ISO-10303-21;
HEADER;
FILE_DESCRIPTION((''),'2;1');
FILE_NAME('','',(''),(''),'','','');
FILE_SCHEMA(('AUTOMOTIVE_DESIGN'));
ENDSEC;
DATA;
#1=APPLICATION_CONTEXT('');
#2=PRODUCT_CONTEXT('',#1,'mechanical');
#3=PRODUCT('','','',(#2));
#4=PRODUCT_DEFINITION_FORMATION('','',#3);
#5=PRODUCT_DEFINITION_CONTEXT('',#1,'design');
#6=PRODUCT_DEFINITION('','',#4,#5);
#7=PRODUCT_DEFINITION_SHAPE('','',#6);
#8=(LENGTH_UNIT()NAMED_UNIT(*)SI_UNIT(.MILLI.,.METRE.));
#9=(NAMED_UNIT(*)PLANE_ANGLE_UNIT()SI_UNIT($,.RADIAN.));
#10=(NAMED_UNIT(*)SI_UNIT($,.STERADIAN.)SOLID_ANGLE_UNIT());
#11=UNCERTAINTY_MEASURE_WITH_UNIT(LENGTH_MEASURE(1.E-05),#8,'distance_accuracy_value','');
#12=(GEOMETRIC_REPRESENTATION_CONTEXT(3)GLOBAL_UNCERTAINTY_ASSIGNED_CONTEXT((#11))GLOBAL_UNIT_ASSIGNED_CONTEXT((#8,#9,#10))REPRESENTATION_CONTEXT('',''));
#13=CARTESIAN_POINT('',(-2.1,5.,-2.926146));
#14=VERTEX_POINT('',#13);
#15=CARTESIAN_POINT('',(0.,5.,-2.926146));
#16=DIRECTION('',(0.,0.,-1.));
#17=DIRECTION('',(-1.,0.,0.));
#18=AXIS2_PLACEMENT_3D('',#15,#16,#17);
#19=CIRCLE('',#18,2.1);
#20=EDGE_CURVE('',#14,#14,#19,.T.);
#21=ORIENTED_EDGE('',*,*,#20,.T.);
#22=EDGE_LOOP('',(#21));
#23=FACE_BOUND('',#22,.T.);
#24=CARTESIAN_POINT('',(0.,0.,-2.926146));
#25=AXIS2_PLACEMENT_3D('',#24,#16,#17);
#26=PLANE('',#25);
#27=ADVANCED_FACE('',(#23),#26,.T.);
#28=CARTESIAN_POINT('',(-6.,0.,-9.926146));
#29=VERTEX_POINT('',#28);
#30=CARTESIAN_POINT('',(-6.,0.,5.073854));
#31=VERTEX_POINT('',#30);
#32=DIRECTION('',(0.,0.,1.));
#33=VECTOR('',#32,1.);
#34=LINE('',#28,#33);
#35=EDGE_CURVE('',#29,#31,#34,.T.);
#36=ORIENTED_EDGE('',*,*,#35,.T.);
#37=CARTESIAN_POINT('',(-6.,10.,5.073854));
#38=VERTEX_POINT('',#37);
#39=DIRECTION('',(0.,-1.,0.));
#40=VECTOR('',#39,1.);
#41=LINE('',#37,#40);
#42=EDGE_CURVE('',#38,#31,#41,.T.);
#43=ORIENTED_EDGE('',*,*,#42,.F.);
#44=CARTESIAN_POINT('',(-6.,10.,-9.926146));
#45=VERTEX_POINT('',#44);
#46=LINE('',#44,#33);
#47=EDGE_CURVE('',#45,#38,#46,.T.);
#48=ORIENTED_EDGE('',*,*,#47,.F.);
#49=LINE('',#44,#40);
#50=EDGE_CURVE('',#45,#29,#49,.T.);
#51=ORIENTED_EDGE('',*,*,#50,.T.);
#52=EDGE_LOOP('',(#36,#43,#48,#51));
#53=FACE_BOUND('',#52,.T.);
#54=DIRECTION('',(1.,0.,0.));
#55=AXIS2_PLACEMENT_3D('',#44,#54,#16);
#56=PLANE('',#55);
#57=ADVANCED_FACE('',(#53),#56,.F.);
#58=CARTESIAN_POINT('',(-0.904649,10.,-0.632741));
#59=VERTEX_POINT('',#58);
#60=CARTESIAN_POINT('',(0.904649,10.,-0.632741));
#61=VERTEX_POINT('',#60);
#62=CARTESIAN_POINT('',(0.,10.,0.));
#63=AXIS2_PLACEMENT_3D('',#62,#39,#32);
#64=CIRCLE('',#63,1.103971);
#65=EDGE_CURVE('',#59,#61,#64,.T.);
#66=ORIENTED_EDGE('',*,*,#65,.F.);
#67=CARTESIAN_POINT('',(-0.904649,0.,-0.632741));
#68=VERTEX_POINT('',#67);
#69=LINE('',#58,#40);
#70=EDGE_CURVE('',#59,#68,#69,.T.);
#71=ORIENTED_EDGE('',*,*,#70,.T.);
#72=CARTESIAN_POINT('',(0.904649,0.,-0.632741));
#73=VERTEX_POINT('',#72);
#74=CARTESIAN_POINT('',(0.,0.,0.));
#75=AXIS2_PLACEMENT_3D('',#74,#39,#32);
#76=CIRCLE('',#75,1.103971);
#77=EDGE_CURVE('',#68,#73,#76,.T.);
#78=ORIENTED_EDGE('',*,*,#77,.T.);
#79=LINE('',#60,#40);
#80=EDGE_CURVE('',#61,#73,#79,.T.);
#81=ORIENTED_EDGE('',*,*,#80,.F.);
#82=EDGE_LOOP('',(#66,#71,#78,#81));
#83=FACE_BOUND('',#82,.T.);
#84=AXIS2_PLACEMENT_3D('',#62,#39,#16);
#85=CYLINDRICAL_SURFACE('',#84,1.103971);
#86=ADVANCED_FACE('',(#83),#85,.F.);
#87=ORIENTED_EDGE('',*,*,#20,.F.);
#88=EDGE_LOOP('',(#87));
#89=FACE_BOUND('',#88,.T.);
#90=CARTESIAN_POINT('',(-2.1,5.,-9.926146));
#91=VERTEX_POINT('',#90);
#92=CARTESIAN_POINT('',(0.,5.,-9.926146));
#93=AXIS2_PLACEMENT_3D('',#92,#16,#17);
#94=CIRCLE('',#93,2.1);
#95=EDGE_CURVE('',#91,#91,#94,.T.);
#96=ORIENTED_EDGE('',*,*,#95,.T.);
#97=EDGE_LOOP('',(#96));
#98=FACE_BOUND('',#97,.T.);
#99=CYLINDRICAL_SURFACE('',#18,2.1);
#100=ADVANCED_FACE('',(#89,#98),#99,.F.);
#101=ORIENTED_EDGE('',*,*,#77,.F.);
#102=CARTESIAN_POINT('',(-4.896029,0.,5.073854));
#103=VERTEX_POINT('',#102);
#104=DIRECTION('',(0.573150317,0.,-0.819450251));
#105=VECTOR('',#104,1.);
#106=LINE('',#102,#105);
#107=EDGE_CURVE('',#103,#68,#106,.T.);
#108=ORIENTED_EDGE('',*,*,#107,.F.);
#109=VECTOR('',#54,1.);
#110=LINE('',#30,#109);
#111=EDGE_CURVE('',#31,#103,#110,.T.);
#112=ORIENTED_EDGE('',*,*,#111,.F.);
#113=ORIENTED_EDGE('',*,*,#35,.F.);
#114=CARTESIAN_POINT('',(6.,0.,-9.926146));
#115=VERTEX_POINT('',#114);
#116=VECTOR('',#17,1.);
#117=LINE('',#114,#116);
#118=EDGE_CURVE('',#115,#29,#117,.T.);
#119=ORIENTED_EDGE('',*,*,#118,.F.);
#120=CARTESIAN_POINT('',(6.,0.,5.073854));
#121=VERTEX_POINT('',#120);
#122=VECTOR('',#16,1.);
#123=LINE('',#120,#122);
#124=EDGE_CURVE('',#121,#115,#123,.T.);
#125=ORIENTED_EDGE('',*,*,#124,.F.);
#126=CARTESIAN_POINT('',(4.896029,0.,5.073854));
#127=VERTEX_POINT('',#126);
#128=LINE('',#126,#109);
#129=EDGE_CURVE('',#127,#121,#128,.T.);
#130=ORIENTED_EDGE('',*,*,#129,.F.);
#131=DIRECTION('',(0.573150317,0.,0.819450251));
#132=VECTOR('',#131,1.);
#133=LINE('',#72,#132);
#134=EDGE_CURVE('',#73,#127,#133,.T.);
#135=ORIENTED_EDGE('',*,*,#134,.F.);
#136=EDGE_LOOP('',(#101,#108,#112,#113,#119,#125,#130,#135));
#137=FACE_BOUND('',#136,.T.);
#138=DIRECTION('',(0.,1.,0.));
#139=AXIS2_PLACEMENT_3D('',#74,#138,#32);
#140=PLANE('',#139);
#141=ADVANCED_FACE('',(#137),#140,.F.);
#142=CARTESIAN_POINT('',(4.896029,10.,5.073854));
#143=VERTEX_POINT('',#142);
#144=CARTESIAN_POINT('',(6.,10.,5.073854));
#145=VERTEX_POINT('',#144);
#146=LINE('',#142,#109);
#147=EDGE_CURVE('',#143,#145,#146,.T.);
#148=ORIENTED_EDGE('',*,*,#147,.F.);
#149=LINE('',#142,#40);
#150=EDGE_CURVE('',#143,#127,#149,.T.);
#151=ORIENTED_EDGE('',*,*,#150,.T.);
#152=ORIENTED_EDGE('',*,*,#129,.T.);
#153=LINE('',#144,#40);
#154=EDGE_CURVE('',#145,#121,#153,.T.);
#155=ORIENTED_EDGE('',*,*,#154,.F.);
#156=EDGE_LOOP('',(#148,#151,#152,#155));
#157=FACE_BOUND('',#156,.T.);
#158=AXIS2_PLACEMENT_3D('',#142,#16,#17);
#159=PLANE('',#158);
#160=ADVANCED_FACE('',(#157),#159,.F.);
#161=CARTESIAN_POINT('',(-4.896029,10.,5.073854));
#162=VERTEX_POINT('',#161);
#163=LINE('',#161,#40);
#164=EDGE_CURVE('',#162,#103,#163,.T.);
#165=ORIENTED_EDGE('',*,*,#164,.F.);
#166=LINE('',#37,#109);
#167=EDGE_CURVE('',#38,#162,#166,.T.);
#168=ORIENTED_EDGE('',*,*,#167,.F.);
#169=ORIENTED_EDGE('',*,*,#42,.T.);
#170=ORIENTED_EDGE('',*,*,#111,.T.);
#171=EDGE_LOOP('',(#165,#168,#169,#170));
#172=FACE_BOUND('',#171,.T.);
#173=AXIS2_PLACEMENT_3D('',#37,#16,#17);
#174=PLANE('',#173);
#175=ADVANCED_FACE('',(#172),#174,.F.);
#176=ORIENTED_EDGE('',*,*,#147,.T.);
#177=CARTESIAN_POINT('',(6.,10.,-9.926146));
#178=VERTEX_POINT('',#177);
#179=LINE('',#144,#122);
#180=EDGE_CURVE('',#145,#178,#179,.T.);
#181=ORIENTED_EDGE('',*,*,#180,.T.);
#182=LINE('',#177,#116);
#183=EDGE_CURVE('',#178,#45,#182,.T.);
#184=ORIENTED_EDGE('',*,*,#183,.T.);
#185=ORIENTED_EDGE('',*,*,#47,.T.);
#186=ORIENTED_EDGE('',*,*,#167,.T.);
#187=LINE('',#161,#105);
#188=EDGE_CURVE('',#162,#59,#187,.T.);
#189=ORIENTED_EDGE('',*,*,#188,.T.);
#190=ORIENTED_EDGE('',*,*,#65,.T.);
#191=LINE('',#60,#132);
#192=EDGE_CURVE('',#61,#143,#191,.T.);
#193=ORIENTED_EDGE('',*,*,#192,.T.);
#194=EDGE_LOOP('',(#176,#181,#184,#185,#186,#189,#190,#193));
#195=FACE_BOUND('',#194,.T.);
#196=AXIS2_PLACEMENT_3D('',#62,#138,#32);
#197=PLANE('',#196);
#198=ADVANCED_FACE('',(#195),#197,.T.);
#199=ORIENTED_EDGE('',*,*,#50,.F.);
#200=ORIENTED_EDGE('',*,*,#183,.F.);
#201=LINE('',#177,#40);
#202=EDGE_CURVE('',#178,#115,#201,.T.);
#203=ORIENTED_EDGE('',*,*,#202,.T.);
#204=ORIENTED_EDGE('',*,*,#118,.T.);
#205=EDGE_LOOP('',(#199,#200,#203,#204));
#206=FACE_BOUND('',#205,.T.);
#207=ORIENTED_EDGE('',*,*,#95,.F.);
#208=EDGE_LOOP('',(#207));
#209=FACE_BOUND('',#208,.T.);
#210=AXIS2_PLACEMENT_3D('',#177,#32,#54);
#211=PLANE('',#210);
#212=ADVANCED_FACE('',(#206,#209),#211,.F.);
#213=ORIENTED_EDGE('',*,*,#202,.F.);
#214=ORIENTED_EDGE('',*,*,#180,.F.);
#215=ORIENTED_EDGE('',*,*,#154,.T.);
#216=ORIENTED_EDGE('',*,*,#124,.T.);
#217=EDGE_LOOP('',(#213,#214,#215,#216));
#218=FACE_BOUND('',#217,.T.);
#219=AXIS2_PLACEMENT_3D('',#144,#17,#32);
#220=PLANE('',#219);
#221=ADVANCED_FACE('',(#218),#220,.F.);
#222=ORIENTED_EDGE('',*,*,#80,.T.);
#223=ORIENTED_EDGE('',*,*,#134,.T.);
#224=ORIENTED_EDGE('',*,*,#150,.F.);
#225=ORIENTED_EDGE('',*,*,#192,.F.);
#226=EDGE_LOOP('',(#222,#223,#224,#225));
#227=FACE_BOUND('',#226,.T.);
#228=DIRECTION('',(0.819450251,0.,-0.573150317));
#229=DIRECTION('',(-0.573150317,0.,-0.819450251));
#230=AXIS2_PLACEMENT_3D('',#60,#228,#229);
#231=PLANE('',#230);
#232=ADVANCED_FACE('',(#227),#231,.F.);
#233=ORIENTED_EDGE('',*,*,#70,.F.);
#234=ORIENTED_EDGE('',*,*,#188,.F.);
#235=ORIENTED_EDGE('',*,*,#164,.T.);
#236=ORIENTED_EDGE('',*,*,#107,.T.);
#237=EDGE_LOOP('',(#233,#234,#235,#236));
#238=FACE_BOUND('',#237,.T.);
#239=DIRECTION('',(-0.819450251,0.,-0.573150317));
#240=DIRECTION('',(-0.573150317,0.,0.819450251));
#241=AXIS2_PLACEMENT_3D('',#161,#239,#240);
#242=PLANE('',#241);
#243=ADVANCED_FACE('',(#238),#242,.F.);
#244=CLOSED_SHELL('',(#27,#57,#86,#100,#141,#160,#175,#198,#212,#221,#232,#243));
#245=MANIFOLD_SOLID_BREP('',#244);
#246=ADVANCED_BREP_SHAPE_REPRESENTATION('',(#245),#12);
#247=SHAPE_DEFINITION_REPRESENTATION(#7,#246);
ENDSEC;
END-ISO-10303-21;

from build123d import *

# Parameters (mm, degrees)
BOSS_EXTRUDE1_DEPTH = 10
CUT_EXTRUDE1_DEPTH  = 7


with BuildPart() as part:
    # Sketch1 → Boss-Extrude1 (new body)
    with BuildSketch(Plane(origin=(0, 0, 0), x_dir=(1, 0, 0), z_dir=(0, 1, 0))):
        with BuildLine():
            Line((0.904649293, 0.632741314), (4.896029025, -5.073854375))
            Line((4.896029025, -5.073854375), (6, -5.073854375))
            Line((6, -5.073854375), (6, 9.926145625))
            Line((6, 9.926145625), (-6, 9.926145625))
            Line((-6, 9.926145625), (-6, -5.073854375))
            Line((-6, -5.073854375), (-4.896029025, -5.073854375))
            Line((-4.896029025, -5.073854375), (-0.904649293, 0.632741314))
            ThreePointArc((-0.904649293, 0.632741314), (0, 1.103970975), (0.904649293, 0.632741314))
        make_face()
    extrude(amount=BOSS_EXTRUDE1_DEPTH)

    # Sketch2 → Cut-Extrude1 (cut)
    with BuildSketch(Plane(origin=(0, 0, -9.926145625), x_dir=(-1, 0, 0), z_dir=(0, 0, -1))):
        with BuildLine():
            ThreePointArc((0, 7.1), (-2.1, 5), (0, 2.9))
            Line((0, 2.9), (0, 7.1))
        make_face()
        with BuildLine():
            Line((0, 7.1), (0, 2.9))
            ThreePointArc((0, 2.9), (1.48492424, 3.51507576), (2.1, 5))
            ThreePointArc((2.1, 5), (1.48492424, 6.48492424), (0, 7.1))
        make_face()
    extrude(amount=-CUT_EXTRUDE1_DEPTH, mode=Mode.SUBTRACT)


solid = part.part
